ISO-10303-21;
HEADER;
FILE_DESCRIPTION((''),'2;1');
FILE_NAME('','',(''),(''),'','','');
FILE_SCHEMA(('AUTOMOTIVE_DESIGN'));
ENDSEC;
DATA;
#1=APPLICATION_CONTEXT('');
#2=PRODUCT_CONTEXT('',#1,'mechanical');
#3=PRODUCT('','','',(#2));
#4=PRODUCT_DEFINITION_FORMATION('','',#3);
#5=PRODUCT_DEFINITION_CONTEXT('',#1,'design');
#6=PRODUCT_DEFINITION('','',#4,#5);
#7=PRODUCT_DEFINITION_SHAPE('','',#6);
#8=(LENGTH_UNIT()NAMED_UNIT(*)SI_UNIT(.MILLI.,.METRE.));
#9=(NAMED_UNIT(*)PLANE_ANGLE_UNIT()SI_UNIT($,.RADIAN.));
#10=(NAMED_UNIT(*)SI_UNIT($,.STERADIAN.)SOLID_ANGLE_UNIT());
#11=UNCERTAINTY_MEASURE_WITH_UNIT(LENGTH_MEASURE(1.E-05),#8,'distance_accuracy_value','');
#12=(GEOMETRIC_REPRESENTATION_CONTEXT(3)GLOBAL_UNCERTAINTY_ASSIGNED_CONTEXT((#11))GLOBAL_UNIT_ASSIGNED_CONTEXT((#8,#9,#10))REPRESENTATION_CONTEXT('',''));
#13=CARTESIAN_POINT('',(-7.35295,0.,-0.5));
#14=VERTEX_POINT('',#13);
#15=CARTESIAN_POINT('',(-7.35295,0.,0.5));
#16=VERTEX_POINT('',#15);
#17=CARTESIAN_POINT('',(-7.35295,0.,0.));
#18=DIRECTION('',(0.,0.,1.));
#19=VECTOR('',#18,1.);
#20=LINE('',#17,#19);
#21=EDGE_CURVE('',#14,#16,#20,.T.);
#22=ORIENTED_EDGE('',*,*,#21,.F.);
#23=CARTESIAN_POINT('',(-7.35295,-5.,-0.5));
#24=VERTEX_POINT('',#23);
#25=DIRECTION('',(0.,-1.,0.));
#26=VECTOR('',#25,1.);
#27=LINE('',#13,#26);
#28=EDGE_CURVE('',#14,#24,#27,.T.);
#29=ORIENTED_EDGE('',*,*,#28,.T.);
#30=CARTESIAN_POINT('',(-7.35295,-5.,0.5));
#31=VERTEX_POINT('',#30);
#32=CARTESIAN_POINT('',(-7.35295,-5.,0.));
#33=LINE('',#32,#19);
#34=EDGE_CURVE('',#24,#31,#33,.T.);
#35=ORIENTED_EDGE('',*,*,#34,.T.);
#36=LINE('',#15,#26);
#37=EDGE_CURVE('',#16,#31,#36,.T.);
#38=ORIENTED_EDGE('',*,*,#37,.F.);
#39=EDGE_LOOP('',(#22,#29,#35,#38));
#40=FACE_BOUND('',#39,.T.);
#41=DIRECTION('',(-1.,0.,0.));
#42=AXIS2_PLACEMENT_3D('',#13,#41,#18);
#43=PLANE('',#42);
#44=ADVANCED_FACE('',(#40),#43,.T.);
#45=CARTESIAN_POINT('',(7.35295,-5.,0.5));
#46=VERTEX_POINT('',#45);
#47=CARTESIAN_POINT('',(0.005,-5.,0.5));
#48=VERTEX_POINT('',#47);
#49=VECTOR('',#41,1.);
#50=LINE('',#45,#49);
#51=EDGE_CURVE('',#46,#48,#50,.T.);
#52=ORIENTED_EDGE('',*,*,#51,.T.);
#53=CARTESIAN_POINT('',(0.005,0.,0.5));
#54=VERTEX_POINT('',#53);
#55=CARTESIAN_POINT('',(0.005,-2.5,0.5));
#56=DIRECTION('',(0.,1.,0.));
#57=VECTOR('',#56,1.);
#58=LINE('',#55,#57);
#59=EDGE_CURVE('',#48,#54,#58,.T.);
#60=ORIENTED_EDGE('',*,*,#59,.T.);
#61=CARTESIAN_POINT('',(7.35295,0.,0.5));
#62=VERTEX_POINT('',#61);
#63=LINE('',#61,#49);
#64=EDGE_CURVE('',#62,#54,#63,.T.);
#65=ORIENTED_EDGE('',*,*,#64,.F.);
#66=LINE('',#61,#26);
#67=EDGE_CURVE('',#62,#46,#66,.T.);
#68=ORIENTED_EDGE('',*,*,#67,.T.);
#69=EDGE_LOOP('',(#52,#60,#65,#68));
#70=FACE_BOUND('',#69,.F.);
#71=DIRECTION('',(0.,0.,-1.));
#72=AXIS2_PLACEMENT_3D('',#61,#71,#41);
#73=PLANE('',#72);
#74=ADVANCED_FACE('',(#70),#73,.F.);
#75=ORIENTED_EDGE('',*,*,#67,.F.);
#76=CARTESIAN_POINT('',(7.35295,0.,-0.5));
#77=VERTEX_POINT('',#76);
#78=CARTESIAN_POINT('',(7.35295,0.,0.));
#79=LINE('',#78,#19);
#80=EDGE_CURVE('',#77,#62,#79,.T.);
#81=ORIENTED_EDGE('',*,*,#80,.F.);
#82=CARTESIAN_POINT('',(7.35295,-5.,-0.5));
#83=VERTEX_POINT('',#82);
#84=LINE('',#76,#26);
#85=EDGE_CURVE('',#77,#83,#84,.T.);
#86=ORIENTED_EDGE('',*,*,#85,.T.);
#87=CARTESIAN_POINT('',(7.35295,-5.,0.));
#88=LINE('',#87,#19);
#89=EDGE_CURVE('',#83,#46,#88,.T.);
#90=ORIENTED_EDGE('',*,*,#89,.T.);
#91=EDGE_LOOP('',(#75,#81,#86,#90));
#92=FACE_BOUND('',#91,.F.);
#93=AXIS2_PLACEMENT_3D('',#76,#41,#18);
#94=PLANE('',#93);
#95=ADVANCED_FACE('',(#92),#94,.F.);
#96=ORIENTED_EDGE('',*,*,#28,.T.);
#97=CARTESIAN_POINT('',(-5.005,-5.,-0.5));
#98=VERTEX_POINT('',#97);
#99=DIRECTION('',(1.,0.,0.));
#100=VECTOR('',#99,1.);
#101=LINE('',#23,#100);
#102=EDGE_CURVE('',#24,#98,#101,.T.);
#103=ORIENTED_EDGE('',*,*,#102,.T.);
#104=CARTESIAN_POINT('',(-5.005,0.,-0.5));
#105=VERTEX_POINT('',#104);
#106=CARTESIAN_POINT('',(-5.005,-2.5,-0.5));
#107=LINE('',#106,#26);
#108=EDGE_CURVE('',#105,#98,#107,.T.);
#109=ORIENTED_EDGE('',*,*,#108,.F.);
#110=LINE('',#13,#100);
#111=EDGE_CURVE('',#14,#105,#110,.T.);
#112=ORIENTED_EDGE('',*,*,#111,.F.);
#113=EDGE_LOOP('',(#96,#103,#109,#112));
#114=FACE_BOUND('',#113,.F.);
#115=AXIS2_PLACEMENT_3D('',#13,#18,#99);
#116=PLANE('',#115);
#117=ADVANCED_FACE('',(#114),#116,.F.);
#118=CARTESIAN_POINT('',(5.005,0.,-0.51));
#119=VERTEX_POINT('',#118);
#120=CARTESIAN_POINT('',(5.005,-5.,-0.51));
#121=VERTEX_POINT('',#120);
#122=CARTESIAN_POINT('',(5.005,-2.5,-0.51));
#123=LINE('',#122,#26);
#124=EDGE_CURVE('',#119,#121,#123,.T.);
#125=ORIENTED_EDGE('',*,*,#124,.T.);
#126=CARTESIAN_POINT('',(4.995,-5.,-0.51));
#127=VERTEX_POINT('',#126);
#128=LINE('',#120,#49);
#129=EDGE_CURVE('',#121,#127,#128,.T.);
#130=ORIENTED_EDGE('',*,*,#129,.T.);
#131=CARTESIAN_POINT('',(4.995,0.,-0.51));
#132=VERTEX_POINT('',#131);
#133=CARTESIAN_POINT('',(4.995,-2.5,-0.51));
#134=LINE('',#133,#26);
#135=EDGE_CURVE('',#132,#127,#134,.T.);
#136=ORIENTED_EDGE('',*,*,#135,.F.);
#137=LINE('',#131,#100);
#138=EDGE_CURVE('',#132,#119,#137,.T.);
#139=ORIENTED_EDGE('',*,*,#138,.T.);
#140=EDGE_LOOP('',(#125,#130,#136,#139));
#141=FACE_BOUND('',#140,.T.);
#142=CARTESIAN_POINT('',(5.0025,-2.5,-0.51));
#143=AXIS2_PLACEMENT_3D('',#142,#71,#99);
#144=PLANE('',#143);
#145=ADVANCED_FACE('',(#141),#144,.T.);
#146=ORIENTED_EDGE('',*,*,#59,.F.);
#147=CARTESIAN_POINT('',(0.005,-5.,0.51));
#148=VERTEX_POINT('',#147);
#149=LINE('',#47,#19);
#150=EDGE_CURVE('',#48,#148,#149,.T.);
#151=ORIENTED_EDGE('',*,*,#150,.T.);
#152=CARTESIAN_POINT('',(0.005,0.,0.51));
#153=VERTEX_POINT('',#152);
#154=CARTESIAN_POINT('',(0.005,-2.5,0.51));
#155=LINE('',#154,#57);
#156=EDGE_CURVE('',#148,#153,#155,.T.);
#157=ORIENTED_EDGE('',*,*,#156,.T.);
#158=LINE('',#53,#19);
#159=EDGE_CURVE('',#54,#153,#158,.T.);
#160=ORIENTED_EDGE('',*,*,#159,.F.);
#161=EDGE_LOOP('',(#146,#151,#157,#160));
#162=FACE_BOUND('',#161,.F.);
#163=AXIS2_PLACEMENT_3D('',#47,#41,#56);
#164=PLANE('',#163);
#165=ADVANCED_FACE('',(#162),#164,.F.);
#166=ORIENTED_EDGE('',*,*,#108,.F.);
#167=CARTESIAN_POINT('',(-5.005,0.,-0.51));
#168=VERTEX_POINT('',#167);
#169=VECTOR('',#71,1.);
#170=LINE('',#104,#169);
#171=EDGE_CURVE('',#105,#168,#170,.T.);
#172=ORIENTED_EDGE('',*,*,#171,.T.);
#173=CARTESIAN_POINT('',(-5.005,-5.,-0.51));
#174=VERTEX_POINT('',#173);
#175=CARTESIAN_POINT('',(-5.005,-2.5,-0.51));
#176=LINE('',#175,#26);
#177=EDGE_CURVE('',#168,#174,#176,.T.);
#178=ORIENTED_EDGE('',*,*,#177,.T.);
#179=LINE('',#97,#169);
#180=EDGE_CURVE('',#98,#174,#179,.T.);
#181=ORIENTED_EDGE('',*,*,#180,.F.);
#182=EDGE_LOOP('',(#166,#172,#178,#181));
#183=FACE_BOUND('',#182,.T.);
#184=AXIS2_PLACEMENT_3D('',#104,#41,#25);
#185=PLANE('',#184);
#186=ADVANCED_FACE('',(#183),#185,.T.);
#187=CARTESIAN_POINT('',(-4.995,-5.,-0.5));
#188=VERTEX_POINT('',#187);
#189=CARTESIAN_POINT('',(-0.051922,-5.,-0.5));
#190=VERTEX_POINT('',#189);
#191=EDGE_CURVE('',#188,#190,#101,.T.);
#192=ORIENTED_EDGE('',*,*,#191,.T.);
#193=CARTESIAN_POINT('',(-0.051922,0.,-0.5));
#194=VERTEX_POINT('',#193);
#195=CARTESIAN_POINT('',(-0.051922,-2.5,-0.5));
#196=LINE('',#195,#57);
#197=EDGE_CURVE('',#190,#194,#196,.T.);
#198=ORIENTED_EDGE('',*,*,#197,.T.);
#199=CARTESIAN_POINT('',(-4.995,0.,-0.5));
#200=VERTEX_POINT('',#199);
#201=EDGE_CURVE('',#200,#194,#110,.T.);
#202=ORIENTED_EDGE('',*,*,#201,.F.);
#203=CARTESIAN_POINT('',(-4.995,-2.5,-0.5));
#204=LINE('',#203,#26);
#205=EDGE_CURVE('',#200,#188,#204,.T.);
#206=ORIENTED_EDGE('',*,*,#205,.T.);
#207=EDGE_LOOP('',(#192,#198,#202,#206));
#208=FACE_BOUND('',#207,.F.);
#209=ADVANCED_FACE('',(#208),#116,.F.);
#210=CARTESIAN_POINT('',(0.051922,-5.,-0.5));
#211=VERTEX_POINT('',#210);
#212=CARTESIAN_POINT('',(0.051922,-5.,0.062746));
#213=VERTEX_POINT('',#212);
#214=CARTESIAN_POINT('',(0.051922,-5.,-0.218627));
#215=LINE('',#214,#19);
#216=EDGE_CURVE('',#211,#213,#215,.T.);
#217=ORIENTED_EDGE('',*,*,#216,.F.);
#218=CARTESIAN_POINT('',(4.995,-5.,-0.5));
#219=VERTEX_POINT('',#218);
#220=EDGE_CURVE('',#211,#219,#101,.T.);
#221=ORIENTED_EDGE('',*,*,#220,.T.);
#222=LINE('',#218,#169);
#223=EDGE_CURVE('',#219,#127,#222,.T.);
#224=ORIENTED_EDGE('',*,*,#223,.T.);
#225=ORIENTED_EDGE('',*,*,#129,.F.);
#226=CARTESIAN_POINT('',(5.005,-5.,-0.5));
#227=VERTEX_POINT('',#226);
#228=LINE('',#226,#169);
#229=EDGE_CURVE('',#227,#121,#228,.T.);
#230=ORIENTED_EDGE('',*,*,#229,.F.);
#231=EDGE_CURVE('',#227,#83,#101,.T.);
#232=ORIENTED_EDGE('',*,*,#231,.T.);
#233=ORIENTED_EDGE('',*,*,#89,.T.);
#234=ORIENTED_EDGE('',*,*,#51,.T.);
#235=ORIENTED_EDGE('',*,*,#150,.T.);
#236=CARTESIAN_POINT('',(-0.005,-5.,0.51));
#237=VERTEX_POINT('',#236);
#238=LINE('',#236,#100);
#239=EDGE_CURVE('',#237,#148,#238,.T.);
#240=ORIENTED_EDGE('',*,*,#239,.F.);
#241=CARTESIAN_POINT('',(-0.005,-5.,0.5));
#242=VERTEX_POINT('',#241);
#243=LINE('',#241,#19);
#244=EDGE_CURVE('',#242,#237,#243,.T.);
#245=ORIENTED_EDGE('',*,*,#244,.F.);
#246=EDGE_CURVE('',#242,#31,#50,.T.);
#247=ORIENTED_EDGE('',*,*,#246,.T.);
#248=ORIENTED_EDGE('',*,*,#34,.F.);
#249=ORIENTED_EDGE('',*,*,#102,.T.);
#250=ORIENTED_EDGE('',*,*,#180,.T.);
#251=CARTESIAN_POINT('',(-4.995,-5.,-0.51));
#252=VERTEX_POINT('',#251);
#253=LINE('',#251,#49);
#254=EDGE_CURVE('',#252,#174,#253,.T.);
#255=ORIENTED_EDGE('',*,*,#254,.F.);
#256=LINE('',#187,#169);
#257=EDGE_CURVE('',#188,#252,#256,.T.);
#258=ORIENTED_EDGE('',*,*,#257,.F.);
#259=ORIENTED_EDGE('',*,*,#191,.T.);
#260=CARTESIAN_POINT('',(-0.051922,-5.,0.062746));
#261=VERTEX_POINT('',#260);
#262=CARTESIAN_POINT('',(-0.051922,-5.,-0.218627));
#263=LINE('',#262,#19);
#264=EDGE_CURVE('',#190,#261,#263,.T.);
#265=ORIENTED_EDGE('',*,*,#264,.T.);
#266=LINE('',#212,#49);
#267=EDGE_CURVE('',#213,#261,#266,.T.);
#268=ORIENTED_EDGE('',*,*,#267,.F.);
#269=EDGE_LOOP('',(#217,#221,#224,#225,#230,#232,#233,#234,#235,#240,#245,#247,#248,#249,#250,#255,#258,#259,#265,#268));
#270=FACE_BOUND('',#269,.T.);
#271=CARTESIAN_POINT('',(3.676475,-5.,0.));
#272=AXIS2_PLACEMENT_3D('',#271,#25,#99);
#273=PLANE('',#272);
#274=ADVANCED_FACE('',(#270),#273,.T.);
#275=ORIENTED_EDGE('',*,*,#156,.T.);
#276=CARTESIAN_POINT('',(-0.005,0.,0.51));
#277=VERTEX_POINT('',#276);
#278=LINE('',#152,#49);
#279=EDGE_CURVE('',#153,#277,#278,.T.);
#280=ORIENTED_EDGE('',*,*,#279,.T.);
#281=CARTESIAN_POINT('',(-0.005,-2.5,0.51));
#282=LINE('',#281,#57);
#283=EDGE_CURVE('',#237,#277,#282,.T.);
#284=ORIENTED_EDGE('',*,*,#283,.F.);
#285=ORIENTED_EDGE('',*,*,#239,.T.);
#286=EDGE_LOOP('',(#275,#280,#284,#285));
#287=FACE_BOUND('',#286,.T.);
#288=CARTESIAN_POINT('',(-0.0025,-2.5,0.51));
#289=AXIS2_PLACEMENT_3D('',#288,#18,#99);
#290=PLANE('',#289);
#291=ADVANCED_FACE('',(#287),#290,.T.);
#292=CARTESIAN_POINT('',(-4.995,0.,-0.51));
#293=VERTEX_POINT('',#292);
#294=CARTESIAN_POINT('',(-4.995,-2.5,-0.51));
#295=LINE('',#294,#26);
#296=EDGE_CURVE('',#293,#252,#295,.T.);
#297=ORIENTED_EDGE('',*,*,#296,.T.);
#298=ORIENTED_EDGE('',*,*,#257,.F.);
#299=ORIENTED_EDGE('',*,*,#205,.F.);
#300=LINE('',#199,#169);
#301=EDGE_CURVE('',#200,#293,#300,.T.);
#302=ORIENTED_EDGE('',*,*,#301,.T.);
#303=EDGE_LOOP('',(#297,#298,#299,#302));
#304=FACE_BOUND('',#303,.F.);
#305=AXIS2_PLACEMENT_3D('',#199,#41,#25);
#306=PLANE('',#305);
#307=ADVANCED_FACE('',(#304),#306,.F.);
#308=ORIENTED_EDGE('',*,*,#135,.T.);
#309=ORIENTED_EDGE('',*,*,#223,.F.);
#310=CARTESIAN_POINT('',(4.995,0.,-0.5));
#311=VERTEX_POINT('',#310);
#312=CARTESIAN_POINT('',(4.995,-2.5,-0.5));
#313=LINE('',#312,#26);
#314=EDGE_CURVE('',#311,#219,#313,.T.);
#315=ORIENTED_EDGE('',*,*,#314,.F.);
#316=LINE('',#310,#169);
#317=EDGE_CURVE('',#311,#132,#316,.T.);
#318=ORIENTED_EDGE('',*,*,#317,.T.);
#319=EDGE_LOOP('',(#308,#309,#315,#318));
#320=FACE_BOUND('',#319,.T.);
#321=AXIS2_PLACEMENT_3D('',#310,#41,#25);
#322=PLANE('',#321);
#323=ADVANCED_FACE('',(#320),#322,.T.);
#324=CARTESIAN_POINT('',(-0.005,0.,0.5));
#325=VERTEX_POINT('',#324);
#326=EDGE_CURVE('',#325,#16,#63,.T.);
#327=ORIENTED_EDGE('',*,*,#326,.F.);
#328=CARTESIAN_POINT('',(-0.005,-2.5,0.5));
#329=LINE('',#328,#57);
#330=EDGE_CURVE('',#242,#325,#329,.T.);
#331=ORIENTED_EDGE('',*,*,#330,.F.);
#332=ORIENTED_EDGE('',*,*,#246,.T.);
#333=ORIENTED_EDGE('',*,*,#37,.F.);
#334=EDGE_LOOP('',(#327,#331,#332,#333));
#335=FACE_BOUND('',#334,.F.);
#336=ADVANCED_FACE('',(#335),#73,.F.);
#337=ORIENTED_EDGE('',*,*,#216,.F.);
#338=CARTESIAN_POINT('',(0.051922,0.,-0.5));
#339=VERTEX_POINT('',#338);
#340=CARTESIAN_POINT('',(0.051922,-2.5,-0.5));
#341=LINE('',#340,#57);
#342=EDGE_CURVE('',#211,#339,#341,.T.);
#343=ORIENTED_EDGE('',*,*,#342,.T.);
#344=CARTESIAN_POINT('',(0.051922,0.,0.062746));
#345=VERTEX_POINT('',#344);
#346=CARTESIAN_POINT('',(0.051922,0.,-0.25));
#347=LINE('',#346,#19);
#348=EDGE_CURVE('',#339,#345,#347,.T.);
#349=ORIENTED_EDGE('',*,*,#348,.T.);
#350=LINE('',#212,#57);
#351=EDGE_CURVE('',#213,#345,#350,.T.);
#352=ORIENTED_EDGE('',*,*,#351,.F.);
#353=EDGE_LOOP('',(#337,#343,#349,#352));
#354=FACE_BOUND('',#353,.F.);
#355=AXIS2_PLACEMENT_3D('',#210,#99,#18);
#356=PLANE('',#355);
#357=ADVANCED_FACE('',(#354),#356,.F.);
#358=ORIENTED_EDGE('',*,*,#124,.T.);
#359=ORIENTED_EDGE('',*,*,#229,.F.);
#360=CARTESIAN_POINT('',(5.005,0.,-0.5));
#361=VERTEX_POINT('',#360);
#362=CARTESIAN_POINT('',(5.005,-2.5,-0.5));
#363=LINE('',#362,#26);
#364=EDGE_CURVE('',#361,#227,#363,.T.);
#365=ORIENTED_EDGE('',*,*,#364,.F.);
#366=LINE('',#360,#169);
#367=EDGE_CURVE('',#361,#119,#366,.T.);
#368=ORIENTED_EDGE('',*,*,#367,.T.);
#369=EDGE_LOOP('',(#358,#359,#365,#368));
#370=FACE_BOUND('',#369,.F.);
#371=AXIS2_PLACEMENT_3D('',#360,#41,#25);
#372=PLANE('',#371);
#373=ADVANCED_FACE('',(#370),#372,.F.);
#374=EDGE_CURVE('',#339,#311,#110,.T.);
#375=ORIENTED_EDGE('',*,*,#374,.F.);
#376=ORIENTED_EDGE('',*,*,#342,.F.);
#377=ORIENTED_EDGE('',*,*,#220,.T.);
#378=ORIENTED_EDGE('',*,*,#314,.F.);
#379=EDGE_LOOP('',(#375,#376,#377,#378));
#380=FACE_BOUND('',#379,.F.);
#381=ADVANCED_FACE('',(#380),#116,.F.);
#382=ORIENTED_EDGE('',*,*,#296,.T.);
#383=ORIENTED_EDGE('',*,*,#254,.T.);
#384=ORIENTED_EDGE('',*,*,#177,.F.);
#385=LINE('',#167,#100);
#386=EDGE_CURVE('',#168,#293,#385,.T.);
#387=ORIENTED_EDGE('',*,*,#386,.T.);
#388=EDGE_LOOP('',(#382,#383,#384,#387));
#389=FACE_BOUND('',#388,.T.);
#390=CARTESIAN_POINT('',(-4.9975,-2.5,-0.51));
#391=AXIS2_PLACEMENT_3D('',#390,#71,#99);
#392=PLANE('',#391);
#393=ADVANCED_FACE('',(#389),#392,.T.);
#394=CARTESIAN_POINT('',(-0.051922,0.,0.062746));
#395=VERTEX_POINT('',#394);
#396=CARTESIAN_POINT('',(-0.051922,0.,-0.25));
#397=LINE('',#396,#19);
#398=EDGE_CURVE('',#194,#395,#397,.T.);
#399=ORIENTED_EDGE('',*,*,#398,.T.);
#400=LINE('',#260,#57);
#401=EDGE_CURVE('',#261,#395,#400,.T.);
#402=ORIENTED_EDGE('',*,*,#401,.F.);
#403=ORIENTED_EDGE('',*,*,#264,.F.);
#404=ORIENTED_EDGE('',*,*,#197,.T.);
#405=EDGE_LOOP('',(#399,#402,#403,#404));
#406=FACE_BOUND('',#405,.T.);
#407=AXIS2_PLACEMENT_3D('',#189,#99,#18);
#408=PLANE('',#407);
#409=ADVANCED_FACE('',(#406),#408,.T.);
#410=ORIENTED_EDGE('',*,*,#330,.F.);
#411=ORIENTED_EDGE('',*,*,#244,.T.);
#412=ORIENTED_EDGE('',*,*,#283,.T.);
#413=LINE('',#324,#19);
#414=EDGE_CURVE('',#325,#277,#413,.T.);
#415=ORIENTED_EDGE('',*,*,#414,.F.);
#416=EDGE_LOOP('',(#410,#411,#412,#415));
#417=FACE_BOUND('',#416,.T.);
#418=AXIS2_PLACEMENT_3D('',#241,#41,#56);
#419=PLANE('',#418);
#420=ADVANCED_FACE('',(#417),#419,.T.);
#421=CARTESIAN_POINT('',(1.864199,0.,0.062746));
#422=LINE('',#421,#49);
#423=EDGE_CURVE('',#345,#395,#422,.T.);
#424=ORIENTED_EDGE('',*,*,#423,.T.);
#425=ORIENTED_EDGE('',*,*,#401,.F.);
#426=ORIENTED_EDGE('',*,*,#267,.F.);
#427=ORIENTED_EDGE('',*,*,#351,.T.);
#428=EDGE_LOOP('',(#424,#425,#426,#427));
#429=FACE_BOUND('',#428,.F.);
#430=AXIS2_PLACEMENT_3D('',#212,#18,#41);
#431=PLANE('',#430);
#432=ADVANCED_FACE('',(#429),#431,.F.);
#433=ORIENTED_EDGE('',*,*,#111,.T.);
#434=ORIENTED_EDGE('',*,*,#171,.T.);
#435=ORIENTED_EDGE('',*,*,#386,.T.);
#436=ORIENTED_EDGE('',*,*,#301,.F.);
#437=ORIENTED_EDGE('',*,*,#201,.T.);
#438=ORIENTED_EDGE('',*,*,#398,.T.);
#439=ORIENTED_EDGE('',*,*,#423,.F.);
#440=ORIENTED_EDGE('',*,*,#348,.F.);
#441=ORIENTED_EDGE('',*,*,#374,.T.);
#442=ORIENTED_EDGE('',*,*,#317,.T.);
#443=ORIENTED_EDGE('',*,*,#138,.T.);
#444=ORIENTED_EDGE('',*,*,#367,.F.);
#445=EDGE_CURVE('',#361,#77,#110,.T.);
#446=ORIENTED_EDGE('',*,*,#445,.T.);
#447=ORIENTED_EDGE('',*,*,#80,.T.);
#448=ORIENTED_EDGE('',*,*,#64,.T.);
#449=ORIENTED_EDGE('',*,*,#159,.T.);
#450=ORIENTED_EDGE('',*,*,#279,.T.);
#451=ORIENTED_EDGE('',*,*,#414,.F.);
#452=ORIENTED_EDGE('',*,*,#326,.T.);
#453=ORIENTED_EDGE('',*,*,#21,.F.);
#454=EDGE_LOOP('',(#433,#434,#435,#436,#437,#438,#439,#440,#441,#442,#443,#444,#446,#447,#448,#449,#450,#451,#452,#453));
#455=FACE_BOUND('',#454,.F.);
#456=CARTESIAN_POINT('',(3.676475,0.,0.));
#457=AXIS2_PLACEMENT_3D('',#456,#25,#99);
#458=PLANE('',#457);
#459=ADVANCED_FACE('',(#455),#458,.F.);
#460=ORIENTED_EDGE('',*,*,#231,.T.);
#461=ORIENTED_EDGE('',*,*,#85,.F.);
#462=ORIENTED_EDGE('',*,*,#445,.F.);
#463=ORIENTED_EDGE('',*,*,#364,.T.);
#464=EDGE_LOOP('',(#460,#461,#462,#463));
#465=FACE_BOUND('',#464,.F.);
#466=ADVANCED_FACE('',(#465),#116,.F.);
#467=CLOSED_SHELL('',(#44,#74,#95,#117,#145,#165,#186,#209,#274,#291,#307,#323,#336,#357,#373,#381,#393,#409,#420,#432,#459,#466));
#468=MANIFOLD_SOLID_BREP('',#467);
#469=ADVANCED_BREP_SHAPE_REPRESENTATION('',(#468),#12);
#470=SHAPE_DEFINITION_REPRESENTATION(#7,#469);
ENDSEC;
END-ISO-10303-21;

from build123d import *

# Parameters (mm, degrees)
F0_W     = 7.35295
F0_H     = 1
F1_DEPTH = 5
F2_W     = 0.051922
F2_H     = 0.562747
F3_DEPTH = 5.001
F4_W     = 0.005
F4_H     = 5
F5_DEPTH = 0.01
F6_W     = 0.005
F6_H     = 5
F7_DEPTH = 0.01


with BuildPart() as f1:
    # F0 (on Front) → F1 (new body)
    with BuildSketch(Plane.XZ):
        with Locations((3.676475, 0)):
            Rectangle(F0_W, F0_H)
        with Locations((-3.676475, 0)):
            Rectangle(F0_W, F0_H)
    extrude(amount=F1_DEPTH)

    # F2 (on face) → F3 (cut, through all)
    with BuildSketch(Plane.XZ.offset(5)):
        with Locations((-0.025961, -0.218627)):
            Rectangle(F2_W, F2_H)
        with Locations((0.025961, -0.218627)):
            Rectangle(F2_W, F2_H)
    extrude(amount=-F3_DEPTH, mode=Mode.SUBTRACT)

    # F4 (on face) → F5 (join)
    with BuildSketch(Plane.XY.offset(0.5)):
        with Locations((-0.0025, -2.5)):
            Rectangle(F4_W, F4_H)
        with Locations((0.0025, -2.5)):
            Rectangle(F4_W, F4_H)
    extrude(amount=F5_DEPTH)

    # F6 (on face) → F7 (join)
    with BuildSketch(Plane(origin=(0, 0, -0.5), x_dir=(1, 0, 0), z_dir=(0, 0, -1))):
        with Locations((-4.9975, 2.5)):
            Rectangle(F6_W, F6_H)
        with Locations((-5.0025, 2.5)):
            Rectangle(F6_W, F6_H)
        with Locations((5.0025, 2.5)):
            Rectangle(F6_W, F6_H)
        with Locations((4.9975, 2.5)):
            Rectangle(F6_W, F6_H)
    extrude(amount=F7_DEPTH)


solid = f1.part
